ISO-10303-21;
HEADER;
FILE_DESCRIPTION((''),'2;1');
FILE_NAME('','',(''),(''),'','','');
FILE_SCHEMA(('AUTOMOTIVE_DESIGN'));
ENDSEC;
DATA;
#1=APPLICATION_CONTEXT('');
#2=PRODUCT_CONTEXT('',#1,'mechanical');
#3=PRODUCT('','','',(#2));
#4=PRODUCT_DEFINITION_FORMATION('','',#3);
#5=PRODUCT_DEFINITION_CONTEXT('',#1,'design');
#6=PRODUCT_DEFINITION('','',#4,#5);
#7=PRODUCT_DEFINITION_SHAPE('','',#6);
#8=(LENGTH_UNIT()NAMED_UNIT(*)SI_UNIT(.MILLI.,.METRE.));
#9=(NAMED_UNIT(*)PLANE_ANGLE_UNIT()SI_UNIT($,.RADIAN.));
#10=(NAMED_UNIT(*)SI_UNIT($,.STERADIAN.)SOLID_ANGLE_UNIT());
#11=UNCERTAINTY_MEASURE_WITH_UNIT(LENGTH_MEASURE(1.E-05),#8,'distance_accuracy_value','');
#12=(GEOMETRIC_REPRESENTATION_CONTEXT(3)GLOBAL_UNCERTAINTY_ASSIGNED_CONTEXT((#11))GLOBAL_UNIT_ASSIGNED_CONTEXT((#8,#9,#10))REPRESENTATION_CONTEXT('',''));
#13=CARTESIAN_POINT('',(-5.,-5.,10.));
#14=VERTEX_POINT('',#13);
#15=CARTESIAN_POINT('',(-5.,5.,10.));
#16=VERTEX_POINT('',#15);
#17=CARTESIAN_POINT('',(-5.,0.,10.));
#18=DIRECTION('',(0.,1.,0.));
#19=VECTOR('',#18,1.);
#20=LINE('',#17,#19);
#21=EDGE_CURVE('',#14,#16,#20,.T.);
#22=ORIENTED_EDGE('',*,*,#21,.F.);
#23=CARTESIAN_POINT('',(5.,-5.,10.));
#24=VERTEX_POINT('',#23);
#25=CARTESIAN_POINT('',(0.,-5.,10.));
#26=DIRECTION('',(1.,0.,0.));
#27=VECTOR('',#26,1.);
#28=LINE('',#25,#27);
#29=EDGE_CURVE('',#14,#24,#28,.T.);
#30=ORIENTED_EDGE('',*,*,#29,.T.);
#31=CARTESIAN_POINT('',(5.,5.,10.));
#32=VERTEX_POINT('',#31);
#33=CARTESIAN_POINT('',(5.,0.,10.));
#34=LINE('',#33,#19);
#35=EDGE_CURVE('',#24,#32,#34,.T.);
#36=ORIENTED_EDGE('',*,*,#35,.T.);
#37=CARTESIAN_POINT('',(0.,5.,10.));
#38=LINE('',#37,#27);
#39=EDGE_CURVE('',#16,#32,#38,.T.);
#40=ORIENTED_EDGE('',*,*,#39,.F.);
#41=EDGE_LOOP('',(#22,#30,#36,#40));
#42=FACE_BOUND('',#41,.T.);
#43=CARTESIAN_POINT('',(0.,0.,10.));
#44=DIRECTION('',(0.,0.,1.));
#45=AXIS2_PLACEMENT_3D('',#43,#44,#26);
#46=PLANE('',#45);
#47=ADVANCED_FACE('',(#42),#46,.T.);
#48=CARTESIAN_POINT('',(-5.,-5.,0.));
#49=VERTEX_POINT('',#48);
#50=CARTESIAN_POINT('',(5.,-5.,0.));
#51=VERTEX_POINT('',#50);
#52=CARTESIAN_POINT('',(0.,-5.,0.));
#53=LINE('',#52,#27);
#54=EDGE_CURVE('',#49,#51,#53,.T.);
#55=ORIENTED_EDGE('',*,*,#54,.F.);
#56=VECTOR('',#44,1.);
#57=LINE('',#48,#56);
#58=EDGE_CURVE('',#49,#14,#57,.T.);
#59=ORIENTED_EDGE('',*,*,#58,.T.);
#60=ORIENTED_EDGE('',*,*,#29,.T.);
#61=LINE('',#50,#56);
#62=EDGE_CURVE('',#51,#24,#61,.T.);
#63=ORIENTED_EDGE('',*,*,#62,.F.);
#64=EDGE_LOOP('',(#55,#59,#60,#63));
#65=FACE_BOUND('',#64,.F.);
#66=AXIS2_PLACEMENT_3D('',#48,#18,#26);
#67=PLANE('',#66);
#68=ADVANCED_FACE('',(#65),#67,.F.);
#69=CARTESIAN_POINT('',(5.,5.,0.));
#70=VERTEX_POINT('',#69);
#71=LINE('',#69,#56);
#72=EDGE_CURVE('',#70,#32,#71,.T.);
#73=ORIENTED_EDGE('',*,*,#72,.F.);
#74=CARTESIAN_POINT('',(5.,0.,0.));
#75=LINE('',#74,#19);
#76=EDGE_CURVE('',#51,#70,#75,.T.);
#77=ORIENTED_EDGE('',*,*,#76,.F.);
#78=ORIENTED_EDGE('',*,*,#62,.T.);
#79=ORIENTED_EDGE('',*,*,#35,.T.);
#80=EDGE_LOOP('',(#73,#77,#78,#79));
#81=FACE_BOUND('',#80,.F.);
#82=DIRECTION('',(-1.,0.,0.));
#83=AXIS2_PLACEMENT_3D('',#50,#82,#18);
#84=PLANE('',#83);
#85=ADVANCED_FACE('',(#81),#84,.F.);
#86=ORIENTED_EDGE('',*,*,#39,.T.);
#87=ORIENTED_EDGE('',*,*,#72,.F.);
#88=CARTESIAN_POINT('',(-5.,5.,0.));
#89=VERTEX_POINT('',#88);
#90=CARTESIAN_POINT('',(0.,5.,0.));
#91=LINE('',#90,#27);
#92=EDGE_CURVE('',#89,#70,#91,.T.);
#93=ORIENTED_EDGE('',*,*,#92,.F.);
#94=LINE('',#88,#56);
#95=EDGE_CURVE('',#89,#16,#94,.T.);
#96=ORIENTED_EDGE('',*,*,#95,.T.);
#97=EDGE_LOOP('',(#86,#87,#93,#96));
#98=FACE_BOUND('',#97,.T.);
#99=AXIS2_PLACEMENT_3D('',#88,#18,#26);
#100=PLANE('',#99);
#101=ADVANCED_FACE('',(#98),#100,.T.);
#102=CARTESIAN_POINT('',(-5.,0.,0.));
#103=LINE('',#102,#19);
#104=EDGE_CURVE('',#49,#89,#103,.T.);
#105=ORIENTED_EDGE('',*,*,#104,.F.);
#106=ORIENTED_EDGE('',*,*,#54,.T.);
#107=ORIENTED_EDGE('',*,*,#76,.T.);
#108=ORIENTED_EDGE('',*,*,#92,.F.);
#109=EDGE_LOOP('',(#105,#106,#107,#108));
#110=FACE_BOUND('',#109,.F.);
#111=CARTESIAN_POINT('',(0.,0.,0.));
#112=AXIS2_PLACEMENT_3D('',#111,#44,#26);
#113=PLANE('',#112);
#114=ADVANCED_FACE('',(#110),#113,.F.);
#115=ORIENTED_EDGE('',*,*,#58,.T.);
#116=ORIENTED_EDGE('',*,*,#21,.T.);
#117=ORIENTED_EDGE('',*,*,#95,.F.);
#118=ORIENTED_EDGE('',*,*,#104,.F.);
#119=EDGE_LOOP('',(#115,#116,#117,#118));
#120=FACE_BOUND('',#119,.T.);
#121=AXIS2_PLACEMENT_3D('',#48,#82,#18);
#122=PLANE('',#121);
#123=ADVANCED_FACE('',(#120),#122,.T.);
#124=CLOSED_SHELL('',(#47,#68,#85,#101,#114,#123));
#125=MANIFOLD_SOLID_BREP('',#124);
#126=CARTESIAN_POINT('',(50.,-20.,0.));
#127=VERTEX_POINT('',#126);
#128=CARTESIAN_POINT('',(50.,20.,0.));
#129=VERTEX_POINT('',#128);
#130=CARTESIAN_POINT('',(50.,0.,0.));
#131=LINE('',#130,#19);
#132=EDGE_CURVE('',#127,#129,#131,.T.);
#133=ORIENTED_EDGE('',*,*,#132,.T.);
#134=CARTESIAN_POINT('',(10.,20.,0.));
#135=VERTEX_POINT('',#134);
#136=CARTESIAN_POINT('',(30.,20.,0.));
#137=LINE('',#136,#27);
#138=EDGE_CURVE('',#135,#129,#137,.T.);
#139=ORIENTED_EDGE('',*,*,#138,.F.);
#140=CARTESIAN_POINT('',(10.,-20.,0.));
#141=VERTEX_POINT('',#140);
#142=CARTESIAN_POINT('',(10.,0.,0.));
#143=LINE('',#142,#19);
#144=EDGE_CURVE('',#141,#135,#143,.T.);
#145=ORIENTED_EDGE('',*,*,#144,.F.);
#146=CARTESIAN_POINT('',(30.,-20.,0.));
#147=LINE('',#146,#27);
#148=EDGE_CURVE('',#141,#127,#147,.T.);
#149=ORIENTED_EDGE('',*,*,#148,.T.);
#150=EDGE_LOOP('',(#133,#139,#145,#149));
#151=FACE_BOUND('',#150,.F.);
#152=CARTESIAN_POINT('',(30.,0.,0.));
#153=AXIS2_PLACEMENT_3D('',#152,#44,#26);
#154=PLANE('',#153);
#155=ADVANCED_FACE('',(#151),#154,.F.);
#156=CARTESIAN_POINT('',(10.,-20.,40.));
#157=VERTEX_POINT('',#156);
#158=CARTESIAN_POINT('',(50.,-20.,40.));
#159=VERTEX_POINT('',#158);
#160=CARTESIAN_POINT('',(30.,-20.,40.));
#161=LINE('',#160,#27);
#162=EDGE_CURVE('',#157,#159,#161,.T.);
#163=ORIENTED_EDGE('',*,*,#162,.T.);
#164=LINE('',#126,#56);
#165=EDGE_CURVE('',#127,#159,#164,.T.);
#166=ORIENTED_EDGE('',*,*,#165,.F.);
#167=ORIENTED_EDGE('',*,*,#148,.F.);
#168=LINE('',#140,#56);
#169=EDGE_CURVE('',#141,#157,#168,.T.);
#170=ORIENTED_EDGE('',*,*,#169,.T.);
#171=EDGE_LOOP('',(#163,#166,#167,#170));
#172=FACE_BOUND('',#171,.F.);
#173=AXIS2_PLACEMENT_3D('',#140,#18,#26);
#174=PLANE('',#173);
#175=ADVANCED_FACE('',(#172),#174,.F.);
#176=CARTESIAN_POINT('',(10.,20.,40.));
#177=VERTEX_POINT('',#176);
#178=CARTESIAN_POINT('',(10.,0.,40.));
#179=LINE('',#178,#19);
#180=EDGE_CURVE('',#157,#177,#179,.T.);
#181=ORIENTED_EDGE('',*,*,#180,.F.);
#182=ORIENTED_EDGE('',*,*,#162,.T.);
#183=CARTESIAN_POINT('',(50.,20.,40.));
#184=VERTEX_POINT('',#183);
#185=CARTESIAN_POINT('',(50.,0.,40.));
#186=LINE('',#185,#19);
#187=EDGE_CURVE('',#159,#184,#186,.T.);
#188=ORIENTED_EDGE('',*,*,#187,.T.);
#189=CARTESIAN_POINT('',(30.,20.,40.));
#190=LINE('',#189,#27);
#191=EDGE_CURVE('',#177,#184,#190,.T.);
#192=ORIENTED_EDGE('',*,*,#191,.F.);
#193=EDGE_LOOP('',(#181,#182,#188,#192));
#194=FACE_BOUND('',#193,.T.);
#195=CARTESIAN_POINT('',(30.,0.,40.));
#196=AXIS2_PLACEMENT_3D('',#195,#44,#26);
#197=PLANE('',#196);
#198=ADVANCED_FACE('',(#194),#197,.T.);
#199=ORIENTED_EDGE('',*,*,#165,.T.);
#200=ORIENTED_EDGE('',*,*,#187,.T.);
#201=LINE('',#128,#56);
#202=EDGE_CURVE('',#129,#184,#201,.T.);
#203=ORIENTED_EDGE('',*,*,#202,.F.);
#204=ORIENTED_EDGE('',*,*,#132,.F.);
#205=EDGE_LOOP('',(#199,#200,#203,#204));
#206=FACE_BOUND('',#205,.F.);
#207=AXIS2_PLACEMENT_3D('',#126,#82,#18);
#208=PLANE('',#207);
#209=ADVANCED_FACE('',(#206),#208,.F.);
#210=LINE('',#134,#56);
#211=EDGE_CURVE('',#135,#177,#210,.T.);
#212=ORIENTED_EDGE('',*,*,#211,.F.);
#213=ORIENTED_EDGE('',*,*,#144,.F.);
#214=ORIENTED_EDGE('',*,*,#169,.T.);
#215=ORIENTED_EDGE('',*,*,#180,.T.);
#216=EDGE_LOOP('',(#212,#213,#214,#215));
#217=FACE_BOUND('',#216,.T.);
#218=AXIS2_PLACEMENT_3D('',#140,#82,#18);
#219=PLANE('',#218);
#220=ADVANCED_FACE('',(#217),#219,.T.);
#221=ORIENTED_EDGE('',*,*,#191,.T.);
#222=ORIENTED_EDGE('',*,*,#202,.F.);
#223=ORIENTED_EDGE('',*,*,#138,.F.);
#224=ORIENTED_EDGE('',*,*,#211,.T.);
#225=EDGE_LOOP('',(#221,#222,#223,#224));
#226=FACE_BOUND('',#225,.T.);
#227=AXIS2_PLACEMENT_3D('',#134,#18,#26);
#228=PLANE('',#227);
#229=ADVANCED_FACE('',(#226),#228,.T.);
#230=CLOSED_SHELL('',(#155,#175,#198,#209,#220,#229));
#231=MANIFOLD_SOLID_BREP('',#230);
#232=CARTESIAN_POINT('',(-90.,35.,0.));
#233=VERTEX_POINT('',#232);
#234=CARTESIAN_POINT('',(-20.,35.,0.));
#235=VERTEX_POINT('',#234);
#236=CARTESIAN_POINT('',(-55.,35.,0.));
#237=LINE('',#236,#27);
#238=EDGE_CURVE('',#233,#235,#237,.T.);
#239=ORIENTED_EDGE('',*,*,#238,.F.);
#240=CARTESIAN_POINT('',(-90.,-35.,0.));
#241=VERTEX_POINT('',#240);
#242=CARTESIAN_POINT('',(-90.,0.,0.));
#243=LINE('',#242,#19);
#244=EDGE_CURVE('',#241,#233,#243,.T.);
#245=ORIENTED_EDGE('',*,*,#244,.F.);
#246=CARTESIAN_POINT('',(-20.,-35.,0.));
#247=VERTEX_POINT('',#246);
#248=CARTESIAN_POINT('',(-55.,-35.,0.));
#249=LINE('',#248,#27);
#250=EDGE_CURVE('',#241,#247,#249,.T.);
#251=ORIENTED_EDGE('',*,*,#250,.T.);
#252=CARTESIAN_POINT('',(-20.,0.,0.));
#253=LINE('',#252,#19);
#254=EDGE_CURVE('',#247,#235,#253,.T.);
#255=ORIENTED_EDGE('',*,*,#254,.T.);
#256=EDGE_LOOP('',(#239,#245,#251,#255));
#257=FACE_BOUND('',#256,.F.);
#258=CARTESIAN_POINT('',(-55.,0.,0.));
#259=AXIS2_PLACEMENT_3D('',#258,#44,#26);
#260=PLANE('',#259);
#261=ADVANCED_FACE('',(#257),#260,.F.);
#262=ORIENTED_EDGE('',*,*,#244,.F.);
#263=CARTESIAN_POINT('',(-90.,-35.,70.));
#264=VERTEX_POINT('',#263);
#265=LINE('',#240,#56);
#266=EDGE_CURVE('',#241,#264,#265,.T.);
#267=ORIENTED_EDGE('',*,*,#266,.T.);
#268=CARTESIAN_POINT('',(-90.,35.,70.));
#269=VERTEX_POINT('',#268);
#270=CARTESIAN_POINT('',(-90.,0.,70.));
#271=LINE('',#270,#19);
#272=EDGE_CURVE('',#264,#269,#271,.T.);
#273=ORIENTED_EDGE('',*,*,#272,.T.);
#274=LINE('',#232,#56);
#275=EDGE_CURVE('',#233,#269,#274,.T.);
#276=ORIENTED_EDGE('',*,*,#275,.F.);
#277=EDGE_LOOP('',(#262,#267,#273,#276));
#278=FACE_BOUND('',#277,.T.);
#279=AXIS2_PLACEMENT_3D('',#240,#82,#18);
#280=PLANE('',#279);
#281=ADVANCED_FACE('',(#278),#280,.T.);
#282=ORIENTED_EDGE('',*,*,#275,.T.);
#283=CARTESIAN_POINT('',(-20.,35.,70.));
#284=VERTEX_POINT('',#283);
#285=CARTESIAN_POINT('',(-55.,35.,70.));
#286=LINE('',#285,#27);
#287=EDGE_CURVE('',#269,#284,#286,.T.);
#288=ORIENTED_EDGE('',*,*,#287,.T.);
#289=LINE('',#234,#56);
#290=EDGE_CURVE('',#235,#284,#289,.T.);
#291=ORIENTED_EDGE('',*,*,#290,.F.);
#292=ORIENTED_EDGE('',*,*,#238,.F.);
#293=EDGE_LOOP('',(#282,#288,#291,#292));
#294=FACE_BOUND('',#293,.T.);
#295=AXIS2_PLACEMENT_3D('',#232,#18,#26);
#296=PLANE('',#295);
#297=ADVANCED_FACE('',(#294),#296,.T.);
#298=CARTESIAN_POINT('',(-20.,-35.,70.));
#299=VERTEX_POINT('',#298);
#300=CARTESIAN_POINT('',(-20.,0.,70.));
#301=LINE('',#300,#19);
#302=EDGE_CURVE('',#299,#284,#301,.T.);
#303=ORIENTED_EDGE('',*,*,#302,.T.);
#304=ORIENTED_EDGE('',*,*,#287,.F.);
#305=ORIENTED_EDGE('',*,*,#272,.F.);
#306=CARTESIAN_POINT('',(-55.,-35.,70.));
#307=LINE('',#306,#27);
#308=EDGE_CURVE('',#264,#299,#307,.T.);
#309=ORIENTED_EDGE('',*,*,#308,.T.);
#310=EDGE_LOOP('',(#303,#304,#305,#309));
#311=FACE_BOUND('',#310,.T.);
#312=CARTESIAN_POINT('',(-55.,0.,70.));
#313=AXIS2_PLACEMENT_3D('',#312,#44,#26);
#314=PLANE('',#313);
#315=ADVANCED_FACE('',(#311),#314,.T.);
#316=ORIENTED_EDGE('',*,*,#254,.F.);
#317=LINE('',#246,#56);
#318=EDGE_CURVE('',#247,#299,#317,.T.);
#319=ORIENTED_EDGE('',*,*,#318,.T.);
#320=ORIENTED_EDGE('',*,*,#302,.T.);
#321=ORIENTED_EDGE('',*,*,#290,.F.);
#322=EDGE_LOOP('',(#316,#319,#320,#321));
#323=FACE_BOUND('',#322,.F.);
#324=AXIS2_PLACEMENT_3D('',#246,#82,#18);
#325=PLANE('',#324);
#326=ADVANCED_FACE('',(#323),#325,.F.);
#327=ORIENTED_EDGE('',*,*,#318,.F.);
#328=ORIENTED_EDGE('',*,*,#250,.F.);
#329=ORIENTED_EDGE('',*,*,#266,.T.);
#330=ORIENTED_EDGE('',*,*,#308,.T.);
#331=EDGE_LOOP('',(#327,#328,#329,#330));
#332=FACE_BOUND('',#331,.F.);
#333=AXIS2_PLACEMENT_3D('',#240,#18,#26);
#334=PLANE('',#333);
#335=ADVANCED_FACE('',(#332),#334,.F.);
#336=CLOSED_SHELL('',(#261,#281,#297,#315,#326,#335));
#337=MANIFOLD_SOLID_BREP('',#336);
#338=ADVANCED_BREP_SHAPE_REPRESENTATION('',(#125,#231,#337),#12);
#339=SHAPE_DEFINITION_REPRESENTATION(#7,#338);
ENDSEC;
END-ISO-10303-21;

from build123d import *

# Parameters (mm, degrees)
F0_W     = 70
F0_H     = 70
F1_DEPTH = 70
F0_W_2   = 10
F0_H_2   = 10
F2_DEPTH = 10
F0_W_3   = 40
F0_H_3   = 40
F3_DEPTH = 40


with BuildPart() as f1:
    # F0 (on Top) → F1 (new body)
    with BuildSketch(Plane.XY):
        with Locations((-55, 0)):
            Rectangle(F0_W, F0_H)
    extrude(amount=F1_DEPTH)


with BuildPart() as f2:
    # F0 (on Top) → F2 (new body)
    with BuildSketch(Plane.XY):
        Rectangle(F0_W_2, F0_H_2)
    extrude(amount=F2_DEPTH)


with BuildPart() as f3:
    # F0 (on Top) → F3 (new body)
    with BuildSketch(Plane.XY):
        with Locations((30, 0)):
            Rectangle(F0_W_3, F0_H_3)
    extrude(amount=F3_DEPTH)


solid = Compound([f1.part, f2.part, f3.part])
